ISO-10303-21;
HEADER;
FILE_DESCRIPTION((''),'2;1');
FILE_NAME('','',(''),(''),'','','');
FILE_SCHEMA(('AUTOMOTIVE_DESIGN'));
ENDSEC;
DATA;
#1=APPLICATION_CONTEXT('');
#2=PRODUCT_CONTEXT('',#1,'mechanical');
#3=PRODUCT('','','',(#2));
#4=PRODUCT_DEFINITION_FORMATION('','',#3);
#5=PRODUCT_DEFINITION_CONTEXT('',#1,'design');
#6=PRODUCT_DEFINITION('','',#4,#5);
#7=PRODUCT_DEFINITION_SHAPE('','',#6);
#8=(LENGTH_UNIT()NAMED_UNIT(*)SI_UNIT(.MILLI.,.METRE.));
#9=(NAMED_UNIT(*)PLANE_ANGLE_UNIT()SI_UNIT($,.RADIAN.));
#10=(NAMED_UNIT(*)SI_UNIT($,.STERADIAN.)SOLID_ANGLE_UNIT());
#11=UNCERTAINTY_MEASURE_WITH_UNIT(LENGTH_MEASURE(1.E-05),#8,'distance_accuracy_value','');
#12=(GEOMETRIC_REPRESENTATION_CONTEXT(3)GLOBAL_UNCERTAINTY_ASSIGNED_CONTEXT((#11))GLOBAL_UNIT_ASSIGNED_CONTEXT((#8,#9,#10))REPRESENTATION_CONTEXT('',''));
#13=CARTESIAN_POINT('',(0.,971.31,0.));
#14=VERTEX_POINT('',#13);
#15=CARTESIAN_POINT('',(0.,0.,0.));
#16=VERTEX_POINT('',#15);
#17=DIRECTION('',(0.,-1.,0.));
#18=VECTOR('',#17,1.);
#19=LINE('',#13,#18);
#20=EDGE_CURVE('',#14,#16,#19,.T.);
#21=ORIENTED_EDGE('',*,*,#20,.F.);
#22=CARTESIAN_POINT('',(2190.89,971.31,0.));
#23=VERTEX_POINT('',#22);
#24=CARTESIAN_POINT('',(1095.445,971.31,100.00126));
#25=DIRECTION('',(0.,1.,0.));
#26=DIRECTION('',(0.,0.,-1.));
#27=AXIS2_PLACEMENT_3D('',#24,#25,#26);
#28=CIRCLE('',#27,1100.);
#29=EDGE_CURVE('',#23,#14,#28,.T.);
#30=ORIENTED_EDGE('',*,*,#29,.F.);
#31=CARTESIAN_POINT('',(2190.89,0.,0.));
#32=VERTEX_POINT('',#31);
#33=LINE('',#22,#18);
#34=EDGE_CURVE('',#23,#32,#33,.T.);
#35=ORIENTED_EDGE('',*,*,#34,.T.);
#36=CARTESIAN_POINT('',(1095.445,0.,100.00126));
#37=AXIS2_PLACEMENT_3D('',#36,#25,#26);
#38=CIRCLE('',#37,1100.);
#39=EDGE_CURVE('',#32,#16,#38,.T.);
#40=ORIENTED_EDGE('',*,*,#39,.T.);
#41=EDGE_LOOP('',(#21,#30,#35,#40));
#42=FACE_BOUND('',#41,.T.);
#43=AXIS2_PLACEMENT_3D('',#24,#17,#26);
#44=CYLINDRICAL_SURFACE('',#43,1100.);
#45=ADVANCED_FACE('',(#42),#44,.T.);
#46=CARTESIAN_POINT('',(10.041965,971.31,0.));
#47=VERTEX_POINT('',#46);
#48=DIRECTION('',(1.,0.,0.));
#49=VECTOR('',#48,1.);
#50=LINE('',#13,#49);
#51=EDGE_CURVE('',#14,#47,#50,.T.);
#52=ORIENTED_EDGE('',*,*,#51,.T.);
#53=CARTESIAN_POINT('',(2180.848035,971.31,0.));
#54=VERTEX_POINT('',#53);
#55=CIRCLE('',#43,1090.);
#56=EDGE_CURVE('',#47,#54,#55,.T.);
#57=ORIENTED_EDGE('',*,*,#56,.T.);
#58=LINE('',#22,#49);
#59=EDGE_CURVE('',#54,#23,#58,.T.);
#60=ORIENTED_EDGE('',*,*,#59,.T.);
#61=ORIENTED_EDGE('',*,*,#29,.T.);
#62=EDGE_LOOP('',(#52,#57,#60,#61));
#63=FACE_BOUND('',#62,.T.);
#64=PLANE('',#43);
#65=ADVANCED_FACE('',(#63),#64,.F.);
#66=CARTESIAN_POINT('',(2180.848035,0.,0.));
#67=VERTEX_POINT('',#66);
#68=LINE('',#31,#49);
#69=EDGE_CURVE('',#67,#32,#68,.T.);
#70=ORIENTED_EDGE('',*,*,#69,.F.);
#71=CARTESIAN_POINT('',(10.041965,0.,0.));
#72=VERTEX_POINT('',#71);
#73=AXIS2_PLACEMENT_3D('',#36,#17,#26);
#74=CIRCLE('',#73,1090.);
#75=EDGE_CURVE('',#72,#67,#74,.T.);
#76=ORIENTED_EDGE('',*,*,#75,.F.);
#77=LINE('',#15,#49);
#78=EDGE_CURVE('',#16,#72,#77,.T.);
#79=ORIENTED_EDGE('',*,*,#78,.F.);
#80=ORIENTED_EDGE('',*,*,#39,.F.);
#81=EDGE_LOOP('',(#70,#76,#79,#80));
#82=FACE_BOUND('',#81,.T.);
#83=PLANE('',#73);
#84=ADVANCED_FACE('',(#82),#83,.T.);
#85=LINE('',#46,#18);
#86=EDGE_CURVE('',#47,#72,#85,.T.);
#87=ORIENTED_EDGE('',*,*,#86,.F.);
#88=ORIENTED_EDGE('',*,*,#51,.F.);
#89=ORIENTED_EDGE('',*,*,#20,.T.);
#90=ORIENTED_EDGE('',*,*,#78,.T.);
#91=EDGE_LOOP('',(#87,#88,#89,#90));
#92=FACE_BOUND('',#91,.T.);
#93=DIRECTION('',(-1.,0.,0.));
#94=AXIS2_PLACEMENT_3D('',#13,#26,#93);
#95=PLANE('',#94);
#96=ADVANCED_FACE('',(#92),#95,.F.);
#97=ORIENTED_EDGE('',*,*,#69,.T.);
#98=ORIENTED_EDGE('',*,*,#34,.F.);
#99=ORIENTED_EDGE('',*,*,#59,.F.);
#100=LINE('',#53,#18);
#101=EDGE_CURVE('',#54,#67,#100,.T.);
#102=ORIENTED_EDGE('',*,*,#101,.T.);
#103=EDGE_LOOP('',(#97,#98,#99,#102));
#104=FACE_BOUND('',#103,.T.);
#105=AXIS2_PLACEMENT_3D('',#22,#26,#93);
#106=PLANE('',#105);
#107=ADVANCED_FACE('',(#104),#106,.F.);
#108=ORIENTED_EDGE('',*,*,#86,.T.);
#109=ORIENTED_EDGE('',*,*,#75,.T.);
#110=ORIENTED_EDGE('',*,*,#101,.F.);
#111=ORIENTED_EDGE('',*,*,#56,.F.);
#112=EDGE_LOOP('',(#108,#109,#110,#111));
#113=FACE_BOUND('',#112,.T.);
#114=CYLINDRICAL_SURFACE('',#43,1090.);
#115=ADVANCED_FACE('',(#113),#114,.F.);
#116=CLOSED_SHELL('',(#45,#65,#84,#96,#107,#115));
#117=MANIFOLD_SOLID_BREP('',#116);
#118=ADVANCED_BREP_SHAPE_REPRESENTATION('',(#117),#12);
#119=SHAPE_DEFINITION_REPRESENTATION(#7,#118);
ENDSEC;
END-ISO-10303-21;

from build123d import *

# Parameters (mm, degrees)
BOSS_EXTRUDE1_DEPTH = 971.31


with BuildPart() as part:
    # Sketch1 → Boss-Extrude1 (new body)
    with BuildSketch(Plane(origin=(0, 0, 0), x_dir=(1, 0, 0), z_dir=(0, 1, 0))):
        with BuildLine():
            Line((0, 0), (10.041965167, 0))
            ThreePointArc((10.041965167, 0), (1095.445, 989.998740133), (2180.848034833, 0))
            Line((2180.848034833, 0), (2190.89, 0))
            ThreePointArc((2190.89, 0), (1095.445, 999.998740133), (0, 0))
        make_face()
    extrude(amount=BOSS_EXTRUDE1_DEPTH)


solid = part.part
